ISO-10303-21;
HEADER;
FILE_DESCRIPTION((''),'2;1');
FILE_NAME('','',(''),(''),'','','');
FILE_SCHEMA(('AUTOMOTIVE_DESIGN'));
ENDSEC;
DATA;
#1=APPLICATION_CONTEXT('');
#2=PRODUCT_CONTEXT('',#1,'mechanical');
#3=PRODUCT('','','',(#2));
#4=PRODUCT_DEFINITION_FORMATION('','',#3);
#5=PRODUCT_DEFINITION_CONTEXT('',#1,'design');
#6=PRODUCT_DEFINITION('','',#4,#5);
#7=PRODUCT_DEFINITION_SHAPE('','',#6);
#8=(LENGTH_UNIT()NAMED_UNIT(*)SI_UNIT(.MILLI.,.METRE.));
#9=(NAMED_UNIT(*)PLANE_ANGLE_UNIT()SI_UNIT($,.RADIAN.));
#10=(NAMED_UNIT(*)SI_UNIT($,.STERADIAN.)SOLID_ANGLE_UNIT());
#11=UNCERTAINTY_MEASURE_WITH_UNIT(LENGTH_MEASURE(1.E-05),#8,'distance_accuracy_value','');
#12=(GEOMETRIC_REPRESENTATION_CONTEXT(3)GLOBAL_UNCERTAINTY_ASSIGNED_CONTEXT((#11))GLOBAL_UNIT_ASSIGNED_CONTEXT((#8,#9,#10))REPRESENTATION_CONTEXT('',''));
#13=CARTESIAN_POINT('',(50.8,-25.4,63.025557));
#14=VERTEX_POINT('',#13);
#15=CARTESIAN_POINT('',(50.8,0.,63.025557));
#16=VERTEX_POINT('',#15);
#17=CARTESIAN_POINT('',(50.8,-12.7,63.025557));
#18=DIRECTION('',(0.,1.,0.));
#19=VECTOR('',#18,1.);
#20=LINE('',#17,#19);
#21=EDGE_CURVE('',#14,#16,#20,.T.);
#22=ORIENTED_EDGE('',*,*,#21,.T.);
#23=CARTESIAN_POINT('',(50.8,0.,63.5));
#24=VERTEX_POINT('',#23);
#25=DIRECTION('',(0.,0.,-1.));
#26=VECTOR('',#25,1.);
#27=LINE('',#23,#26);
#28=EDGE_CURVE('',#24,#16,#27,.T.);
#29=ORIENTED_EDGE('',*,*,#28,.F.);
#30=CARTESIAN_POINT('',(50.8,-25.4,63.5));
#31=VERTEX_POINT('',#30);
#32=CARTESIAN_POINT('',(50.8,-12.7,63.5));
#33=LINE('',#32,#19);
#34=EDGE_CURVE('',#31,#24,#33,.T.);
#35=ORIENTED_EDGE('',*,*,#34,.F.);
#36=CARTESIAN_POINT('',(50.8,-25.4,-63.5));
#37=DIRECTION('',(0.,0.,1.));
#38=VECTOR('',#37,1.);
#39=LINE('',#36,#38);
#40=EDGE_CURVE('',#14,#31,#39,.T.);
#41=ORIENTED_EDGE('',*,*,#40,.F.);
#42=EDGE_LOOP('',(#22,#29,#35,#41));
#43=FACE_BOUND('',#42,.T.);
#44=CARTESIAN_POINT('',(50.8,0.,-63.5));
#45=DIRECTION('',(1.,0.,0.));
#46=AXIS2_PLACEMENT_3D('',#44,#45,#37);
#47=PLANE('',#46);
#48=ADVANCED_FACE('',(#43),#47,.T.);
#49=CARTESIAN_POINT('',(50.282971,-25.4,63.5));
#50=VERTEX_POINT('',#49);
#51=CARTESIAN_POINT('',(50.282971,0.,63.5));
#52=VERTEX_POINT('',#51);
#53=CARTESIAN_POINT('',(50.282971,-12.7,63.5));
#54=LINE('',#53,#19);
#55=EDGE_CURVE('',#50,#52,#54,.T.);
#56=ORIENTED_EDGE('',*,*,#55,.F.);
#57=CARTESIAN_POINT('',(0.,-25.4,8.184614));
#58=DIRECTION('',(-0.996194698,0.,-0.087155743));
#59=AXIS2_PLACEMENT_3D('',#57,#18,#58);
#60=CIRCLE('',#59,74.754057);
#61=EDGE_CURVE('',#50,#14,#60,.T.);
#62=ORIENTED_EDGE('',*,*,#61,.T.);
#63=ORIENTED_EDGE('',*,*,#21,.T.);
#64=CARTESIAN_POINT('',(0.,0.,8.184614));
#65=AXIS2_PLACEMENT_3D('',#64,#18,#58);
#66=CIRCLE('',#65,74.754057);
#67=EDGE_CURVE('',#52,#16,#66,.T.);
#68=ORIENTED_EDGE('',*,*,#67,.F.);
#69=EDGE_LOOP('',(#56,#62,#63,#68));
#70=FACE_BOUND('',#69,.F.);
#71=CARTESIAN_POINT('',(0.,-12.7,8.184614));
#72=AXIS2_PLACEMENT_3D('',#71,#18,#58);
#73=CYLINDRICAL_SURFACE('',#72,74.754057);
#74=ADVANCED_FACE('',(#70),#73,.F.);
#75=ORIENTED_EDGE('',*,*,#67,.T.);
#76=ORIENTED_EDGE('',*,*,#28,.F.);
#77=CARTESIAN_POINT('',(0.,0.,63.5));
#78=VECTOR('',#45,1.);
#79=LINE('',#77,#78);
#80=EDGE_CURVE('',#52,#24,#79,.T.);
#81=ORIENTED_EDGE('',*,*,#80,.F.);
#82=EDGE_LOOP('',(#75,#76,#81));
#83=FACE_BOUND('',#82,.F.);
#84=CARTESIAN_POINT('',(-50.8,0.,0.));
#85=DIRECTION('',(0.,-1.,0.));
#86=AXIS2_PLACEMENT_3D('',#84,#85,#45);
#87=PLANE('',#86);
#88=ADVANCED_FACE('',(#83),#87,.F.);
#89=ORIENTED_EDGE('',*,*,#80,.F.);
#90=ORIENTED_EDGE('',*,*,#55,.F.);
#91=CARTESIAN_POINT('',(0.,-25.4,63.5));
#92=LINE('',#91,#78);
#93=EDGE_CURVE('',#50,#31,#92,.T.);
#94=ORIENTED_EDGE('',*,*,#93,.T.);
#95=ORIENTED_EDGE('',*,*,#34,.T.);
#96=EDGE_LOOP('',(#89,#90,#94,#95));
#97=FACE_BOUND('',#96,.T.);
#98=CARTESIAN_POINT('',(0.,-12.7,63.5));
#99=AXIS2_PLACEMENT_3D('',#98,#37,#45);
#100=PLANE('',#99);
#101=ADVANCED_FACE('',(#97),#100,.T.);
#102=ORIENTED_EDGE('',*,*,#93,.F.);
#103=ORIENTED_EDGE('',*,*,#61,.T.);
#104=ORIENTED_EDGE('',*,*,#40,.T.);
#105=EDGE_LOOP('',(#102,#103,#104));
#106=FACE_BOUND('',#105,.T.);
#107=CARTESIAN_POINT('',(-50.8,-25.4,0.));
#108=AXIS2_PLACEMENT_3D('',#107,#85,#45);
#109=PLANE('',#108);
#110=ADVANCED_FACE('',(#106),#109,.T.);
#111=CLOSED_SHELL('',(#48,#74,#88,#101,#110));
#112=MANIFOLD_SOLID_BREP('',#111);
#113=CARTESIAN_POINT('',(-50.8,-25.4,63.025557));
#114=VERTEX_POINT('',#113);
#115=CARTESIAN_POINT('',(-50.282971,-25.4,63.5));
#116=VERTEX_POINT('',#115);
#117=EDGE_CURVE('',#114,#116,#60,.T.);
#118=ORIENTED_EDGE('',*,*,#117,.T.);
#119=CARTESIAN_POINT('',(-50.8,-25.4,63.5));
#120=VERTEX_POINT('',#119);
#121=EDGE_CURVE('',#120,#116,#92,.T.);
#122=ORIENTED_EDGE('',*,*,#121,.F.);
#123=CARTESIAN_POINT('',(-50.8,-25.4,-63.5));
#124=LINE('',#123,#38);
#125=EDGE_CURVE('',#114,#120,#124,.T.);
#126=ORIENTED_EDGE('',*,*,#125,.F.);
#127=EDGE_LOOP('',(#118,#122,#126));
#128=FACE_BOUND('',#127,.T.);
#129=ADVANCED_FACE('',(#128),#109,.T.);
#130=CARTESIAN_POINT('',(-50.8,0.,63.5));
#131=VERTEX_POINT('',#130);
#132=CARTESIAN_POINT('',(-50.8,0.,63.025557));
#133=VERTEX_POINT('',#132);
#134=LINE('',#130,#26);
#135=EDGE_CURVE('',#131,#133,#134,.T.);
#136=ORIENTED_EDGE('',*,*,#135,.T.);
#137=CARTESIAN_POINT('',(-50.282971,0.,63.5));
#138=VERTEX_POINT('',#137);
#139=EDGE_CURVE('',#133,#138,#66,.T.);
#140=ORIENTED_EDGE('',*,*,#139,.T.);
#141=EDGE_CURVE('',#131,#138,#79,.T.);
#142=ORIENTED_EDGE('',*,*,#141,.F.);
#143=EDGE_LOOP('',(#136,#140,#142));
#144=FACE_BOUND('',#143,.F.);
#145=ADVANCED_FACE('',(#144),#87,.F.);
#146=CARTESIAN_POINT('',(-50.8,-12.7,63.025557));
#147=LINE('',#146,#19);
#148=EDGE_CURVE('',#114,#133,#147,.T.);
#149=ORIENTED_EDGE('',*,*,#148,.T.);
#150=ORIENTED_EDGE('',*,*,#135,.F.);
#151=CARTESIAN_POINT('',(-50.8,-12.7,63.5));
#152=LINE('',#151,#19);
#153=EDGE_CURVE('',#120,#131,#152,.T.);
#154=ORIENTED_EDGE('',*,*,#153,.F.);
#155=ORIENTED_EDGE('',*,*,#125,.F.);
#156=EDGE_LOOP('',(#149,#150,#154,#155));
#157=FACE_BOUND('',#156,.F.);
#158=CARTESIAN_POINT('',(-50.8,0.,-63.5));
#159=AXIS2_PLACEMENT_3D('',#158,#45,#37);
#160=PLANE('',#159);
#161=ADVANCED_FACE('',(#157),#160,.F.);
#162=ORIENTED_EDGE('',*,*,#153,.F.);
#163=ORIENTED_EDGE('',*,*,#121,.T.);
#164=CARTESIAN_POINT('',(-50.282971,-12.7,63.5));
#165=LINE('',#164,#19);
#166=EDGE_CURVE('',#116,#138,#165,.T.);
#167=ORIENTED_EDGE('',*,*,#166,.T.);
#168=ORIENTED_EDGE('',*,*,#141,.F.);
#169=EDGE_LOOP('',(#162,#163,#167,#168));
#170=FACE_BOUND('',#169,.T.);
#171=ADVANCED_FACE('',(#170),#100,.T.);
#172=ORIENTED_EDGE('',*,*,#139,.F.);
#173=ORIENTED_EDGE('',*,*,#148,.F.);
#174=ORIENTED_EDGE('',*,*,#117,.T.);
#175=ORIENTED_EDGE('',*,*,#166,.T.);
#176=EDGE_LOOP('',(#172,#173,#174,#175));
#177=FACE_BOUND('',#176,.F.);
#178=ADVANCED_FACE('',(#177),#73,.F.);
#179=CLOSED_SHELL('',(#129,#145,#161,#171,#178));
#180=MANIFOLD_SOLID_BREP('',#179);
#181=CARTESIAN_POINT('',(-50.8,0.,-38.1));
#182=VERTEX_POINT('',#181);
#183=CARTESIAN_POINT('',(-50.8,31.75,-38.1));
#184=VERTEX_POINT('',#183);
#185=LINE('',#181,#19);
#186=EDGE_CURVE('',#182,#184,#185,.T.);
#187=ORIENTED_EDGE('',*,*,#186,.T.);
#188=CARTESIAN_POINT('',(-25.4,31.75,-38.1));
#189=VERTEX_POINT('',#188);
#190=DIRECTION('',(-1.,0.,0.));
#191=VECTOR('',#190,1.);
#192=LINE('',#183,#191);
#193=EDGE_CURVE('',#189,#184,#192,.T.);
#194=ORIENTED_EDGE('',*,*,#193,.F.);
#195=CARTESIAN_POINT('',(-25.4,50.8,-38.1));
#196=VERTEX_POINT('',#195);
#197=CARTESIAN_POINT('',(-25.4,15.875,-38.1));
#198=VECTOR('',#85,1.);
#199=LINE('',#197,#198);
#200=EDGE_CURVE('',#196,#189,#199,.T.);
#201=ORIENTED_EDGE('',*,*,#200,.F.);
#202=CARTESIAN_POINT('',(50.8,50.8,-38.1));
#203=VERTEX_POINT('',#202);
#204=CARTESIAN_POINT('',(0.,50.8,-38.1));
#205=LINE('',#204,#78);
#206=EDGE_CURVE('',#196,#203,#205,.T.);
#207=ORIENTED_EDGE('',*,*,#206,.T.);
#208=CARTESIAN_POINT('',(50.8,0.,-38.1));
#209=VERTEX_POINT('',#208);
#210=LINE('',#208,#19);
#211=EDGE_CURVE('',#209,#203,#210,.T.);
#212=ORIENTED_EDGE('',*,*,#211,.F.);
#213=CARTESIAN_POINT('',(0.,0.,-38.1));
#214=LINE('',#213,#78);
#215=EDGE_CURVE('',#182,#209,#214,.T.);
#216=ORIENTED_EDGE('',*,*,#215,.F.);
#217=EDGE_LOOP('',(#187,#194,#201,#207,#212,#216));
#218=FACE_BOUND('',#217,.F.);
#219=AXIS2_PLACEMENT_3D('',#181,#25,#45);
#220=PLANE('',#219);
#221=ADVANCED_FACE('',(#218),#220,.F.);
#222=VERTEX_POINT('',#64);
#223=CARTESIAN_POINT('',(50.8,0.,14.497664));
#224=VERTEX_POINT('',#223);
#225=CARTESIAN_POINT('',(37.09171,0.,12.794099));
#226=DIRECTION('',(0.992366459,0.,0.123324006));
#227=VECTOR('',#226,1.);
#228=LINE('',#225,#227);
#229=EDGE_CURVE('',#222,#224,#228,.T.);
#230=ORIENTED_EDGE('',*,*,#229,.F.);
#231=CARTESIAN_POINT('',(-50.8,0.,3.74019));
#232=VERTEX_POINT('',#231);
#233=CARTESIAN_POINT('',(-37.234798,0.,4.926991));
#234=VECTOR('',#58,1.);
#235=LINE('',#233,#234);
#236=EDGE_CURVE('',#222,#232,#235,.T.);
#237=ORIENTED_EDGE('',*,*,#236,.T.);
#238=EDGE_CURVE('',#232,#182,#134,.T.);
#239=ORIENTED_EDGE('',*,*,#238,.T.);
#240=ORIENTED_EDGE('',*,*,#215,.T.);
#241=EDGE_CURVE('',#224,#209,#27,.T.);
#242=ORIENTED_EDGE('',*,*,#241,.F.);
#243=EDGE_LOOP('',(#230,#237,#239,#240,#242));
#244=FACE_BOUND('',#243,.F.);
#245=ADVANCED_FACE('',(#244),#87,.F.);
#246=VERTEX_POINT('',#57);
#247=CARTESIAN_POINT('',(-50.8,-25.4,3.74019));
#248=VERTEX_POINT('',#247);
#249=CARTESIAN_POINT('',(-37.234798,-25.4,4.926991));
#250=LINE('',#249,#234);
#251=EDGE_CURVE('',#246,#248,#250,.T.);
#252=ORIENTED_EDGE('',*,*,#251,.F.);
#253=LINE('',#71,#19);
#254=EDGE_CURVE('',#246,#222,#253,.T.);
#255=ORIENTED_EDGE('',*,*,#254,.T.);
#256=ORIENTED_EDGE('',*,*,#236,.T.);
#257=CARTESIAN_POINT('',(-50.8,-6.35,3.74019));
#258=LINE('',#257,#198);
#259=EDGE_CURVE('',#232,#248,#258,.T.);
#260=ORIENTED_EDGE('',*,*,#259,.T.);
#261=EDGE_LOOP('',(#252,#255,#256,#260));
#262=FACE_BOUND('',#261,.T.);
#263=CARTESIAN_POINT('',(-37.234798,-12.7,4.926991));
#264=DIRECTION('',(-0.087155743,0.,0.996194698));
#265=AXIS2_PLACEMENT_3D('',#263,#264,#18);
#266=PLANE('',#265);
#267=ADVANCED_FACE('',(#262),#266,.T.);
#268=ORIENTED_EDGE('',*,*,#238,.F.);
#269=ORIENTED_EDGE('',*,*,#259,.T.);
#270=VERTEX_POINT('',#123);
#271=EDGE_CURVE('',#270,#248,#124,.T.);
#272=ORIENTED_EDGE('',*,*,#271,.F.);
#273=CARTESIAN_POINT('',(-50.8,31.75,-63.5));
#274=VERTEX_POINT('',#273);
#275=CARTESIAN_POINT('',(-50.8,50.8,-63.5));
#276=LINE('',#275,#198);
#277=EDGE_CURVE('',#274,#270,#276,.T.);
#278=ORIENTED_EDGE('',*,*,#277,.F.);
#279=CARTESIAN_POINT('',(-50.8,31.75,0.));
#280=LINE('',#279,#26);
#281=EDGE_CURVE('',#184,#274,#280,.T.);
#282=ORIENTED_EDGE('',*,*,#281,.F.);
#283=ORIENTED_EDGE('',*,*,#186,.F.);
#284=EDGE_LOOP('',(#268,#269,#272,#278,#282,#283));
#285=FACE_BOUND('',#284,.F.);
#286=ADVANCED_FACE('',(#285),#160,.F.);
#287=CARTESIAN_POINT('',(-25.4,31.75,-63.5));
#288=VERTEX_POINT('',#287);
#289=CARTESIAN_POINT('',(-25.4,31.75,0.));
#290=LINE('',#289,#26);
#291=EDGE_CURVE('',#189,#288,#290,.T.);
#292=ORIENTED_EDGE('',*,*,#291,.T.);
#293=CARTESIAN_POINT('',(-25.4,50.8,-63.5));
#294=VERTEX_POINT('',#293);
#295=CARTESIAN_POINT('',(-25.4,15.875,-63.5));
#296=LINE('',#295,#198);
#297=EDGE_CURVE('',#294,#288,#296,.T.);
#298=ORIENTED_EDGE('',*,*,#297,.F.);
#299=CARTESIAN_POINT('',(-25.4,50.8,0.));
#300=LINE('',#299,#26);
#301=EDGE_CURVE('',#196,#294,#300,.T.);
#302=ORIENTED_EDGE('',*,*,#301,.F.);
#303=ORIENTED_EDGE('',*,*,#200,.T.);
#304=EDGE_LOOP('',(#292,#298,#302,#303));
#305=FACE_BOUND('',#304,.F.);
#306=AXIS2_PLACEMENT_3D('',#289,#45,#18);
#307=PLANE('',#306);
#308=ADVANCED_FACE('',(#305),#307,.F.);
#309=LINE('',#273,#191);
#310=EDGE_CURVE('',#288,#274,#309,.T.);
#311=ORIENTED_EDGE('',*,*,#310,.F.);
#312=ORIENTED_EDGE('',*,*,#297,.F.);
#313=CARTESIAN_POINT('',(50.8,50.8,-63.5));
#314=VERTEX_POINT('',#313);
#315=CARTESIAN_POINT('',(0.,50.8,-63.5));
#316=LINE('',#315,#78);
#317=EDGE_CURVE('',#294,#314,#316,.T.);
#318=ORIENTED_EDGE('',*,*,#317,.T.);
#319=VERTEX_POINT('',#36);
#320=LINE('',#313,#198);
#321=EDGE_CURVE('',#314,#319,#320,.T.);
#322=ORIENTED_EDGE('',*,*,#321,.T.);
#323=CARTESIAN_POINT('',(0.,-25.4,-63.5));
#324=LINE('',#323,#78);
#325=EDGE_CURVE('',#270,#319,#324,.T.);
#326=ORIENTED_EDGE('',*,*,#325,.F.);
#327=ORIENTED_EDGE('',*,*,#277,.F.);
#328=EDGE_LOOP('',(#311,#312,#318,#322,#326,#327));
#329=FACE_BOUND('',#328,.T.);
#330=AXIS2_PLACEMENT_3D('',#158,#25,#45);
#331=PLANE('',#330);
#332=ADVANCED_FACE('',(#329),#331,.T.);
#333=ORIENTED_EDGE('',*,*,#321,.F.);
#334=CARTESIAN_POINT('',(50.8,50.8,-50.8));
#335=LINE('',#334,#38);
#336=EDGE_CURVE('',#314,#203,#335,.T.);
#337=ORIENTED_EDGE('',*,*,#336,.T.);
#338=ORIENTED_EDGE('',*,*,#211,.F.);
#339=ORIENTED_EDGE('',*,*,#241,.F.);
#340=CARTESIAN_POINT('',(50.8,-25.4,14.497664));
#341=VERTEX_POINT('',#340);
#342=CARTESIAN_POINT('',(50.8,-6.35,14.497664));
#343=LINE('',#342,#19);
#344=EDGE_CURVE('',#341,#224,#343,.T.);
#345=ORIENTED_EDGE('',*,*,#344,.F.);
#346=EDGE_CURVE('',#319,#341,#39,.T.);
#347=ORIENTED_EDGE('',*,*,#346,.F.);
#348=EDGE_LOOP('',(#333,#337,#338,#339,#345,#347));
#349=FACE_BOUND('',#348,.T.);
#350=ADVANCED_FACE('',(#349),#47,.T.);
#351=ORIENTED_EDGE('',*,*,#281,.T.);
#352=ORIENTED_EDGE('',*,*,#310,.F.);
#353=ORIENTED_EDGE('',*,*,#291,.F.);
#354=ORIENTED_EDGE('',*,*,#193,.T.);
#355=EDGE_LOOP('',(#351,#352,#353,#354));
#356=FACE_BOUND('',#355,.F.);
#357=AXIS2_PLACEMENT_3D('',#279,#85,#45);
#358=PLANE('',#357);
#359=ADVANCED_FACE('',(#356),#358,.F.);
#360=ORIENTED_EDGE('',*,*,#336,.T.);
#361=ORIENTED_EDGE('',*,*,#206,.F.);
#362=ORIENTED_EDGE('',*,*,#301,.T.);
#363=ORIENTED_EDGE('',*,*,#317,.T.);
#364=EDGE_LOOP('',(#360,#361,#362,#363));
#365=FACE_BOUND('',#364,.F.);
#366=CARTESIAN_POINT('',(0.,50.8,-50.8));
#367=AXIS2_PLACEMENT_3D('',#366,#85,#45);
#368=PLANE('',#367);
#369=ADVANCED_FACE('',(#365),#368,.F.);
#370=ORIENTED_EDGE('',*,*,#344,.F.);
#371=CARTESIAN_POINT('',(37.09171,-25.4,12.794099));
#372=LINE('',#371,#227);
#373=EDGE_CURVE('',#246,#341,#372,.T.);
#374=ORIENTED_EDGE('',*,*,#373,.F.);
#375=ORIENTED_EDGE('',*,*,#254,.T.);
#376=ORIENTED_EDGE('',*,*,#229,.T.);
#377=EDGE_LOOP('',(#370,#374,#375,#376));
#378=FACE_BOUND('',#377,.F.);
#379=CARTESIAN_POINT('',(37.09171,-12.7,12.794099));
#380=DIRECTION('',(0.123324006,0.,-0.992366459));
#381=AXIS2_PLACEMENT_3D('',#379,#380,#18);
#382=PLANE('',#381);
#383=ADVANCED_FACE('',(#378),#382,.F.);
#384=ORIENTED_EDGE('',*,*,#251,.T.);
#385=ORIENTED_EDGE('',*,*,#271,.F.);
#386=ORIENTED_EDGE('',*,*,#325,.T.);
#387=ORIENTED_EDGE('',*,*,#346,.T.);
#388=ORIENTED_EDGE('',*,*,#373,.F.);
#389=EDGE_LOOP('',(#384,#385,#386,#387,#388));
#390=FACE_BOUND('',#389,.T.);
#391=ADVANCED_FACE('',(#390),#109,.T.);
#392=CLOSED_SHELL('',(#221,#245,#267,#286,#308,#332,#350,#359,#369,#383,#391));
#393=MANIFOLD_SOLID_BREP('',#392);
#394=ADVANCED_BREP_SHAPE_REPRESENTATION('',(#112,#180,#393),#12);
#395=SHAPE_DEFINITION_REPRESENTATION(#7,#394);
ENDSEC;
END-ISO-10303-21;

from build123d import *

# Parameters (mm, degrees)
F0_W          = 101.6
F0_H          = 25.4
F1_DEPTH      = 63.5
F2_W          = 101.6
F2_H          = 25.4
F3_DEPTH      = 50.8
F4_W          = 25.4
F4_H          = 19.05
F5_DEPTH      = 127
F6_W          = 25.4
F6_H          = 74.7540574521
F7_ANGLE_BACK = 95
F7_ANGLE      = 177.9160204785


with BuildPart() as f1:
    # F0 (on Top) → F1 (new body, symmetric)
    with BuildSketch(Plane.XY):
        with Locations((0, -12.7)):
            Rectangle(F0_W, F0_H)
    extrude(amount=F1_DEPTH, both=True)

    # F2 (on Front) → F3 (join)
    with BuildSketch(Plane.XZ):
        with Locations((0, -50.8)):
            Rectangle(F2_W, F2_H)
    extrude(amount=-F3_DEPTH)

    # F4 (on Top) → F5 (cut)
    with BuildSketch(Plane.XY):
        with Locations((-38.1, 41.275)):
            Rectangle(F4_W, F4_H)
    extrude(amount=-F5_DEPTH, mode=Mode.SUBTRACT)

    # F6 (on Right) → F7 (revolve, cut)
    with BuildSketch(Plane.YZ, mode=Mode.PRIVATE) as f7_sk:
        with Locations((-12.7, 45.561642386)):
            Rectangle(F6_W, F6_H)
    revolve(f7_sk.sketch.rotate(Axis((0, -12.7, 8.18461366), (0, 1, 0)), -F7_ANGLE_BACK), axis=Axis((0, -12.7, 8.18461366), (0, 1, 0)), revolution_arc=F7_ANGLE, mode=Mode.SUBTRACT)


solid = f1.part
